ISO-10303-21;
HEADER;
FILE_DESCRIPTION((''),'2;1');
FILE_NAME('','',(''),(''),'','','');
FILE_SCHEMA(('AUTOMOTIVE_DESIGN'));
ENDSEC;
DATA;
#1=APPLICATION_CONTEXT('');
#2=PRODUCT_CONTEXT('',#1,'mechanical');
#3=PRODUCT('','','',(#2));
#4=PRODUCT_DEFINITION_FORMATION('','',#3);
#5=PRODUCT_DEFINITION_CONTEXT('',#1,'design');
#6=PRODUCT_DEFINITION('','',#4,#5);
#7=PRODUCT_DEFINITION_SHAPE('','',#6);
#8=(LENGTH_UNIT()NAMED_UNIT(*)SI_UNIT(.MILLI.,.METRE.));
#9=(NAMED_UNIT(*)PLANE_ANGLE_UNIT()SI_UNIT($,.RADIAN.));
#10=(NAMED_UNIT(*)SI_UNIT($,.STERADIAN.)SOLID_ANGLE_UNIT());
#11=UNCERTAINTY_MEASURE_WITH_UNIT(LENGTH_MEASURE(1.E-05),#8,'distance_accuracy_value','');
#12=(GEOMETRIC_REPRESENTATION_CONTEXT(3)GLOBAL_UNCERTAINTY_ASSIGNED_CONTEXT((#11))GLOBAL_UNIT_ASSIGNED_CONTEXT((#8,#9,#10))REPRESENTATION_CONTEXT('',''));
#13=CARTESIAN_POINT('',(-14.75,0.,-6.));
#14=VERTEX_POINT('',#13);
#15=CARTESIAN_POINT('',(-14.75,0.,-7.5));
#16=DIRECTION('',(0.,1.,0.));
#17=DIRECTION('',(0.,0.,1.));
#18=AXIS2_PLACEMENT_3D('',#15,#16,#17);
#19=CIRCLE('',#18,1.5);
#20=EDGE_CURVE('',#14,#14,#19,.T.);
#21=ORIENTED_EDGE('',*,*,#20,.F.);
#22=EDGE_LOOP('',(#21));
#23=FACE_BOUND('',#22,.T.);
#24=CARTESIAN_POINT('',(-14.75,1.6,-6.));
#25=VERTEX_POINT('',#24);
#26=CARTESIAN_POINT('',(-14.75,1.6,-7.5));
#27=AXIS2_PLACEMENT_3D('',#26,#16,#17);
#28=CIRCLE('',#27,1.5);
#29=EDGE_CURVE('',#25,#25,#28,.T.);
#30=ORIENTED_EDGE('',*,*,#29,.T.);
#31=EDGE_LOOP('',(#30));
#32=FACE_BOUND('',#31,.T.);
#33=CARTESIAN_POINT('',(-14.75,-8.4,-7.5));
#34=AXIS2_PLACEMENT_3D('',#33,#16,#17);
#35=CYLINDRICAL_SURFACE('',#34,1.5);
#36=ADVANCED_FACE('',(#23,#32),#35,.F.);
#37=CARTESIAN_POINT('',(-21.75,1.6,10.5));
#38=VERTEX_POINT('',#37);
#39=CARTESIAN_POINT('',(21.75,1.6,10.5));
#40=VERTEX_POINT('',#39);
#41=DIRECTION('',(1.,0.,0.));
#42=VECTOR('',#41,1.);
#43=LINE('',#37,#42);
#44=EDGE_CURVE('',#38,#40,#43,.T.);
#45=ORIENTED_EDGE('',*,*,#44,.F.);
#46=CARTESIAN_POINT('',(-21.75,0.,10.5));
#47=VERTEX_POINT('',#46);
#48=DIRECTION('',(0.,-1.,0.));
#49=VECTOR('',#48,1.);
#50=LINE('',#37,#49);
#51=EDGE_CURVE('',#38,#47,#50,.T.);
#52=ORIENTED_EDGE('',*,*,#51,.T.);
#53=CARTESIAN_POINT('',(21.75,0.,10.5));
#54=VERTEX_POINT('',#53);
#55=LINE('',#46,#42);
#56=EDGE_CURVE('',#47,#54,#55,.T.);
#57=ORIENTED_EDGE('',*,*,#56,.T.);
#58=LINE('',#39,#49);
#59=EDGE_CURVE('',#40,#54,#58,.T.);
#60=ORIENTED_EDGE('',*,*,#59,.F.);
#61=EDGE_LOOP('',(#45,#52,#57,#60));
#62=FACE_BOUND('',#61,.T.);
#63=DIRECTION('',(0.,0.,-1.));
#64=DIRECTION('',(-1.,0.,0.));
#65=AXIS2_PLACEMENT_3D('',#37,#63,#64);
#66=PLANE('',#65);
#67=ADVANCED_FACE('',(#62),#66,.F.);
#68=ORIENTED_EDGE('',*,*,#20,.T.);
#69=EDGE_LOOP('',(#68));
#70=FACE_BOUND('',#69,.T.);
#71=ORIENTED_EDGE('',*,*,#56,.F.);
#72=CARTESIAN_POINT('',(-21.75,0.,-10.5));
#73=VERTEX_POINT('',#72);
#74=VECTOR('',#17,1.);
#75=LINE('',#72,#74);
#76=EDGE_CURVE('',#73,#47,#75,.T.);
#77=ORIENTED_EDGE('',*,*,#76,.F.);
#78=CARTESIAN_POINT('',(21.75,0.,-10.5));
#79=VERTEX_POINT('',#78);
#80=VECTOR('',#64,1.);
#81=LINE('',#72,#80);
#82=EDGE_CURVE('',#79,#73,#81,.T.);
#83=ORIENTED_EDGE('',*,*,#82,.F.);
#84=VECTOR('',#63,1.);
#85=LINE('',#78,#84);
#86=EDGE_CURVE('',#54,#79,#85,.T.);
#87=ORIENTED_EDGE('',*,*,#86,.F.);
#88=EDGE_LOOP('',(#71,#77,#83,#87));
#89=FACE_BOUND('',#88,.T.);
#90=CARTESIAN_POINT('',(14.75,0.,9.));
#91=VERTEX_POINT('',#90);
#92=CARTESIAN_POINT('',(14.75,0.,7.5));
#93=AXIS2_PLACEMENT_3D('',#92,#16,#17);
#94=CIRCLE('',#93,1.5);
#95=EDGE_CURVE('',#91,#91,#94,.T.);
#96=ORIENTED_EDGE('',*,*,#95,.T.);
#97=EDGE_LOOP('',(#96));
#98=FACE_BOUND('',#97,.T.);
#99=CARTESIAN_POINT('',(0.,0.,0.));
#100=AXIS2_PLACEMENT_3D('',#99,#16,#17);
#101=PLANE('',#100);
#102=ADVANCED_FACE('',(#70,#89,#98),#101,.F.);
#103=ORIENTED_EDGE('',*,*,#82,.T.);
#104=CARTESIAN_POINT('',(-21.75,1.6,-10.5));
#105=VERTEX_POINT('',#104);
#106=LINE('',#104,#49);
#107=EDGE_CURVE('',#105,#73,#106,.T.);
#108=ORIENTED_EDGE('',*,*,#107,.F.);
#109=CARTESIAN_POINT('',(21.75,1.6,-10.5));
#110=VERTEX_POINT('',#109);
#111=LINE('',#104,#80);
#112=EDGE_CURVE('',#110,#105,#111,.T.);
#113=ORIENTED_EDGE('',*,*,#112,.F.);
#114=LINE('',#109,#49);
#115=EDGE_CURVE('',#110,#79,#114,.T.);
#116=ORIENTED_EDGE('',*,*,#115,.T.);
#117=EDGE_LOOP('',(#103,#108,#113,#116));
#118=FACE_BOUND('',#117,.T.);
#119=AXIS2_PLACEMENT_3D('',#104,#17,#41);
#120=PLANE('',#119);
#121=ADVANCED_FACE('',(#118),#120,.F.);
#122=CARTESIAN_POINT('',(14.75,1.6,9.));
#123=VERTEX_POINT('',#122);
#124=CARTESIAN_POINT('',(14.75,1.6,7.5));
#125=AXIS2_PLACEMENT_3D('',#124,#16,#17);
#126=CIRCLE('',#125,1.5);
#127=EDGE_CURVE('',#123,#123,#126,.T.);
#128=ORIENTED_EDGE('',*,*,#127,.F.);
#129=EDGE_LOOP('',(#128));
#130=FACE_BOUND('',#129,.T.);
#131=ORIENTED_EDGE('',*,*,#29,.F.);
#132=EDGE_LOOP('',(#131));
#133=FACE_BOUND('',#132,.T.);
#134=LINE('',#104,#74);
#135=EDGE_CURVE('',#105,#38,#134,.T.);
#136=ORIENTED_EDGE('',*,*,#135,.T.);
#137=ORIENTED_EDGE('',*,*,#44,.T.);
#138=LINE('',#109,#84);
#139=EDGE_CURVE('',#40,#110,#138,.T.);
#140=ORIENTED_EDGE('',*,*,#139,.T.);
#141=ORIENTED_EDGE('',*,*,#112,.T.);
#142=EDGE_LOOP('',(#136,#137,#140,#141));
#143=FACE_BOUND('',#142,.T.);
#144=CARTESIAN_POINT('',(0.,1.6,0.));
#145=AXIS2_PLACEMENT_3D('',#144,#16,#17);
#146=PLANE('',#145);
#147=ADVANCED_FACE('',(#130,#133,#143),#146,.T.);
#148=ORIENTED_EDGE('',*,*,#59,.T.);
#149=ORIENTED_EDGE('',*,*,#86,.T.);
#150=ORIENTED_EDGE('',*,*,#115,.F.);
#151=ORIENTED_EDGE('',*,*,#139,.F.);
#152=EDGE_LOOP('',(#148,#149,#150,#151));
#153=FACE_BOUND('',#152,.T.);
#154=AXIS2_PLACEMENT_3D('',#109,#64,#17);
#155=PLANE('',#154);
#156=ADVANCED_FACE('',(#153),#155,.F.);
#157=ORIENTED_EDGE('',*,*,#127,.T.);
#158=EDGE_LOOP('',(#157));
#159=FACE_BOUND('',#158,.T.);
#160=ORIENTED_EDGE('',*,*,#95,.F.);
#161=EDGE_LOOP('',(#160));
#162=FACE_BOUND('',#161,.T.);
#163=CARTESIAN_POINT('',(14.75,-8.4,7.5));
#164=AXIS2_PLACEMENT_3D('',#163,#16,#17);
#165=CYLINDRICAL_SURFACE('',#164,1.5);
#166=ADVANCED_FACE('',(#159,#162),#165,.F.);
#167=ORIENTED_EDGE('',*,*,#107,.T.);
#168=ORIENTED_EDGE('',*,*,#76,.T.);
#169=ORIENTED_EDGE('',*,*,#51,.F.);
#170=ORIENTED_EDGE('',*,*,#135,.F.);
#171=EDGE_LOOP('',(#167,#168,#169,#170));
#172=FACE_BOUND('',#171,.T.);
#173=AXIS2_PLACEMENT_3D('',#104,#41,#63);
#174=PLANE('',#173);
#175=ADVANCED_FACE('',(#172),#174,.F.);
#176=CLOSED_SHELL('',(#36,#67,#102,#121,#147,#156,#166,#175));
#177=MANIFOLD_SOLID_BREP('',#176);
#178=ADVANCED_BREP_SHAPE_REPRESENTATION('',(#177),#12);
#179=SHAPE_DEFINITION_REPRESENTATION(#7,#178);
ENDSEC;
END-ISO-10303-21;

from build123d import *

# Parameters (mm, degrees)
SKETCH_1_W          = 43.5
SKETCH_1_H          = 21
EXTRUDE_1_DEPTH     = 1.6
SKETCH_2_R          = 1.5
CUT_EXTRUDE_1_DEPTH = 10


with BuildPart() as part:
    # 草图1 → 凸台-拉伸1 (new body)
    with BuildSketch(Plane(origin=(0, 0, 0), x_dir=(1, 0, 0), z_dir=(0, 1, 0))):
        Rectangle(SKETCH_1_W, SKETCH_1_H)
    extrude(amount=EXTRUDE_1_DEPTH)

    # 草图2 → 切除-拉伸1 (cut)
    with BuildSketch(Plane(origin=(0, 1.6, 0), x_dir=(1, 0, 0), z_dir=(0, 1, 0))):
        with Locations(Location((-14.75, 7.5, 0), (0, 0, 270))):
            Circle(SKETCH_2_R)
        with Locations(Location((14.75, -7.5, 0), (0, 0, 270))):
            Circle(SKETCH_2_R)
    extrude(amount=-CUT_EXTRUDE_1_DEPTH, mode=Mode.SUBTRACT)


solid = part.part
